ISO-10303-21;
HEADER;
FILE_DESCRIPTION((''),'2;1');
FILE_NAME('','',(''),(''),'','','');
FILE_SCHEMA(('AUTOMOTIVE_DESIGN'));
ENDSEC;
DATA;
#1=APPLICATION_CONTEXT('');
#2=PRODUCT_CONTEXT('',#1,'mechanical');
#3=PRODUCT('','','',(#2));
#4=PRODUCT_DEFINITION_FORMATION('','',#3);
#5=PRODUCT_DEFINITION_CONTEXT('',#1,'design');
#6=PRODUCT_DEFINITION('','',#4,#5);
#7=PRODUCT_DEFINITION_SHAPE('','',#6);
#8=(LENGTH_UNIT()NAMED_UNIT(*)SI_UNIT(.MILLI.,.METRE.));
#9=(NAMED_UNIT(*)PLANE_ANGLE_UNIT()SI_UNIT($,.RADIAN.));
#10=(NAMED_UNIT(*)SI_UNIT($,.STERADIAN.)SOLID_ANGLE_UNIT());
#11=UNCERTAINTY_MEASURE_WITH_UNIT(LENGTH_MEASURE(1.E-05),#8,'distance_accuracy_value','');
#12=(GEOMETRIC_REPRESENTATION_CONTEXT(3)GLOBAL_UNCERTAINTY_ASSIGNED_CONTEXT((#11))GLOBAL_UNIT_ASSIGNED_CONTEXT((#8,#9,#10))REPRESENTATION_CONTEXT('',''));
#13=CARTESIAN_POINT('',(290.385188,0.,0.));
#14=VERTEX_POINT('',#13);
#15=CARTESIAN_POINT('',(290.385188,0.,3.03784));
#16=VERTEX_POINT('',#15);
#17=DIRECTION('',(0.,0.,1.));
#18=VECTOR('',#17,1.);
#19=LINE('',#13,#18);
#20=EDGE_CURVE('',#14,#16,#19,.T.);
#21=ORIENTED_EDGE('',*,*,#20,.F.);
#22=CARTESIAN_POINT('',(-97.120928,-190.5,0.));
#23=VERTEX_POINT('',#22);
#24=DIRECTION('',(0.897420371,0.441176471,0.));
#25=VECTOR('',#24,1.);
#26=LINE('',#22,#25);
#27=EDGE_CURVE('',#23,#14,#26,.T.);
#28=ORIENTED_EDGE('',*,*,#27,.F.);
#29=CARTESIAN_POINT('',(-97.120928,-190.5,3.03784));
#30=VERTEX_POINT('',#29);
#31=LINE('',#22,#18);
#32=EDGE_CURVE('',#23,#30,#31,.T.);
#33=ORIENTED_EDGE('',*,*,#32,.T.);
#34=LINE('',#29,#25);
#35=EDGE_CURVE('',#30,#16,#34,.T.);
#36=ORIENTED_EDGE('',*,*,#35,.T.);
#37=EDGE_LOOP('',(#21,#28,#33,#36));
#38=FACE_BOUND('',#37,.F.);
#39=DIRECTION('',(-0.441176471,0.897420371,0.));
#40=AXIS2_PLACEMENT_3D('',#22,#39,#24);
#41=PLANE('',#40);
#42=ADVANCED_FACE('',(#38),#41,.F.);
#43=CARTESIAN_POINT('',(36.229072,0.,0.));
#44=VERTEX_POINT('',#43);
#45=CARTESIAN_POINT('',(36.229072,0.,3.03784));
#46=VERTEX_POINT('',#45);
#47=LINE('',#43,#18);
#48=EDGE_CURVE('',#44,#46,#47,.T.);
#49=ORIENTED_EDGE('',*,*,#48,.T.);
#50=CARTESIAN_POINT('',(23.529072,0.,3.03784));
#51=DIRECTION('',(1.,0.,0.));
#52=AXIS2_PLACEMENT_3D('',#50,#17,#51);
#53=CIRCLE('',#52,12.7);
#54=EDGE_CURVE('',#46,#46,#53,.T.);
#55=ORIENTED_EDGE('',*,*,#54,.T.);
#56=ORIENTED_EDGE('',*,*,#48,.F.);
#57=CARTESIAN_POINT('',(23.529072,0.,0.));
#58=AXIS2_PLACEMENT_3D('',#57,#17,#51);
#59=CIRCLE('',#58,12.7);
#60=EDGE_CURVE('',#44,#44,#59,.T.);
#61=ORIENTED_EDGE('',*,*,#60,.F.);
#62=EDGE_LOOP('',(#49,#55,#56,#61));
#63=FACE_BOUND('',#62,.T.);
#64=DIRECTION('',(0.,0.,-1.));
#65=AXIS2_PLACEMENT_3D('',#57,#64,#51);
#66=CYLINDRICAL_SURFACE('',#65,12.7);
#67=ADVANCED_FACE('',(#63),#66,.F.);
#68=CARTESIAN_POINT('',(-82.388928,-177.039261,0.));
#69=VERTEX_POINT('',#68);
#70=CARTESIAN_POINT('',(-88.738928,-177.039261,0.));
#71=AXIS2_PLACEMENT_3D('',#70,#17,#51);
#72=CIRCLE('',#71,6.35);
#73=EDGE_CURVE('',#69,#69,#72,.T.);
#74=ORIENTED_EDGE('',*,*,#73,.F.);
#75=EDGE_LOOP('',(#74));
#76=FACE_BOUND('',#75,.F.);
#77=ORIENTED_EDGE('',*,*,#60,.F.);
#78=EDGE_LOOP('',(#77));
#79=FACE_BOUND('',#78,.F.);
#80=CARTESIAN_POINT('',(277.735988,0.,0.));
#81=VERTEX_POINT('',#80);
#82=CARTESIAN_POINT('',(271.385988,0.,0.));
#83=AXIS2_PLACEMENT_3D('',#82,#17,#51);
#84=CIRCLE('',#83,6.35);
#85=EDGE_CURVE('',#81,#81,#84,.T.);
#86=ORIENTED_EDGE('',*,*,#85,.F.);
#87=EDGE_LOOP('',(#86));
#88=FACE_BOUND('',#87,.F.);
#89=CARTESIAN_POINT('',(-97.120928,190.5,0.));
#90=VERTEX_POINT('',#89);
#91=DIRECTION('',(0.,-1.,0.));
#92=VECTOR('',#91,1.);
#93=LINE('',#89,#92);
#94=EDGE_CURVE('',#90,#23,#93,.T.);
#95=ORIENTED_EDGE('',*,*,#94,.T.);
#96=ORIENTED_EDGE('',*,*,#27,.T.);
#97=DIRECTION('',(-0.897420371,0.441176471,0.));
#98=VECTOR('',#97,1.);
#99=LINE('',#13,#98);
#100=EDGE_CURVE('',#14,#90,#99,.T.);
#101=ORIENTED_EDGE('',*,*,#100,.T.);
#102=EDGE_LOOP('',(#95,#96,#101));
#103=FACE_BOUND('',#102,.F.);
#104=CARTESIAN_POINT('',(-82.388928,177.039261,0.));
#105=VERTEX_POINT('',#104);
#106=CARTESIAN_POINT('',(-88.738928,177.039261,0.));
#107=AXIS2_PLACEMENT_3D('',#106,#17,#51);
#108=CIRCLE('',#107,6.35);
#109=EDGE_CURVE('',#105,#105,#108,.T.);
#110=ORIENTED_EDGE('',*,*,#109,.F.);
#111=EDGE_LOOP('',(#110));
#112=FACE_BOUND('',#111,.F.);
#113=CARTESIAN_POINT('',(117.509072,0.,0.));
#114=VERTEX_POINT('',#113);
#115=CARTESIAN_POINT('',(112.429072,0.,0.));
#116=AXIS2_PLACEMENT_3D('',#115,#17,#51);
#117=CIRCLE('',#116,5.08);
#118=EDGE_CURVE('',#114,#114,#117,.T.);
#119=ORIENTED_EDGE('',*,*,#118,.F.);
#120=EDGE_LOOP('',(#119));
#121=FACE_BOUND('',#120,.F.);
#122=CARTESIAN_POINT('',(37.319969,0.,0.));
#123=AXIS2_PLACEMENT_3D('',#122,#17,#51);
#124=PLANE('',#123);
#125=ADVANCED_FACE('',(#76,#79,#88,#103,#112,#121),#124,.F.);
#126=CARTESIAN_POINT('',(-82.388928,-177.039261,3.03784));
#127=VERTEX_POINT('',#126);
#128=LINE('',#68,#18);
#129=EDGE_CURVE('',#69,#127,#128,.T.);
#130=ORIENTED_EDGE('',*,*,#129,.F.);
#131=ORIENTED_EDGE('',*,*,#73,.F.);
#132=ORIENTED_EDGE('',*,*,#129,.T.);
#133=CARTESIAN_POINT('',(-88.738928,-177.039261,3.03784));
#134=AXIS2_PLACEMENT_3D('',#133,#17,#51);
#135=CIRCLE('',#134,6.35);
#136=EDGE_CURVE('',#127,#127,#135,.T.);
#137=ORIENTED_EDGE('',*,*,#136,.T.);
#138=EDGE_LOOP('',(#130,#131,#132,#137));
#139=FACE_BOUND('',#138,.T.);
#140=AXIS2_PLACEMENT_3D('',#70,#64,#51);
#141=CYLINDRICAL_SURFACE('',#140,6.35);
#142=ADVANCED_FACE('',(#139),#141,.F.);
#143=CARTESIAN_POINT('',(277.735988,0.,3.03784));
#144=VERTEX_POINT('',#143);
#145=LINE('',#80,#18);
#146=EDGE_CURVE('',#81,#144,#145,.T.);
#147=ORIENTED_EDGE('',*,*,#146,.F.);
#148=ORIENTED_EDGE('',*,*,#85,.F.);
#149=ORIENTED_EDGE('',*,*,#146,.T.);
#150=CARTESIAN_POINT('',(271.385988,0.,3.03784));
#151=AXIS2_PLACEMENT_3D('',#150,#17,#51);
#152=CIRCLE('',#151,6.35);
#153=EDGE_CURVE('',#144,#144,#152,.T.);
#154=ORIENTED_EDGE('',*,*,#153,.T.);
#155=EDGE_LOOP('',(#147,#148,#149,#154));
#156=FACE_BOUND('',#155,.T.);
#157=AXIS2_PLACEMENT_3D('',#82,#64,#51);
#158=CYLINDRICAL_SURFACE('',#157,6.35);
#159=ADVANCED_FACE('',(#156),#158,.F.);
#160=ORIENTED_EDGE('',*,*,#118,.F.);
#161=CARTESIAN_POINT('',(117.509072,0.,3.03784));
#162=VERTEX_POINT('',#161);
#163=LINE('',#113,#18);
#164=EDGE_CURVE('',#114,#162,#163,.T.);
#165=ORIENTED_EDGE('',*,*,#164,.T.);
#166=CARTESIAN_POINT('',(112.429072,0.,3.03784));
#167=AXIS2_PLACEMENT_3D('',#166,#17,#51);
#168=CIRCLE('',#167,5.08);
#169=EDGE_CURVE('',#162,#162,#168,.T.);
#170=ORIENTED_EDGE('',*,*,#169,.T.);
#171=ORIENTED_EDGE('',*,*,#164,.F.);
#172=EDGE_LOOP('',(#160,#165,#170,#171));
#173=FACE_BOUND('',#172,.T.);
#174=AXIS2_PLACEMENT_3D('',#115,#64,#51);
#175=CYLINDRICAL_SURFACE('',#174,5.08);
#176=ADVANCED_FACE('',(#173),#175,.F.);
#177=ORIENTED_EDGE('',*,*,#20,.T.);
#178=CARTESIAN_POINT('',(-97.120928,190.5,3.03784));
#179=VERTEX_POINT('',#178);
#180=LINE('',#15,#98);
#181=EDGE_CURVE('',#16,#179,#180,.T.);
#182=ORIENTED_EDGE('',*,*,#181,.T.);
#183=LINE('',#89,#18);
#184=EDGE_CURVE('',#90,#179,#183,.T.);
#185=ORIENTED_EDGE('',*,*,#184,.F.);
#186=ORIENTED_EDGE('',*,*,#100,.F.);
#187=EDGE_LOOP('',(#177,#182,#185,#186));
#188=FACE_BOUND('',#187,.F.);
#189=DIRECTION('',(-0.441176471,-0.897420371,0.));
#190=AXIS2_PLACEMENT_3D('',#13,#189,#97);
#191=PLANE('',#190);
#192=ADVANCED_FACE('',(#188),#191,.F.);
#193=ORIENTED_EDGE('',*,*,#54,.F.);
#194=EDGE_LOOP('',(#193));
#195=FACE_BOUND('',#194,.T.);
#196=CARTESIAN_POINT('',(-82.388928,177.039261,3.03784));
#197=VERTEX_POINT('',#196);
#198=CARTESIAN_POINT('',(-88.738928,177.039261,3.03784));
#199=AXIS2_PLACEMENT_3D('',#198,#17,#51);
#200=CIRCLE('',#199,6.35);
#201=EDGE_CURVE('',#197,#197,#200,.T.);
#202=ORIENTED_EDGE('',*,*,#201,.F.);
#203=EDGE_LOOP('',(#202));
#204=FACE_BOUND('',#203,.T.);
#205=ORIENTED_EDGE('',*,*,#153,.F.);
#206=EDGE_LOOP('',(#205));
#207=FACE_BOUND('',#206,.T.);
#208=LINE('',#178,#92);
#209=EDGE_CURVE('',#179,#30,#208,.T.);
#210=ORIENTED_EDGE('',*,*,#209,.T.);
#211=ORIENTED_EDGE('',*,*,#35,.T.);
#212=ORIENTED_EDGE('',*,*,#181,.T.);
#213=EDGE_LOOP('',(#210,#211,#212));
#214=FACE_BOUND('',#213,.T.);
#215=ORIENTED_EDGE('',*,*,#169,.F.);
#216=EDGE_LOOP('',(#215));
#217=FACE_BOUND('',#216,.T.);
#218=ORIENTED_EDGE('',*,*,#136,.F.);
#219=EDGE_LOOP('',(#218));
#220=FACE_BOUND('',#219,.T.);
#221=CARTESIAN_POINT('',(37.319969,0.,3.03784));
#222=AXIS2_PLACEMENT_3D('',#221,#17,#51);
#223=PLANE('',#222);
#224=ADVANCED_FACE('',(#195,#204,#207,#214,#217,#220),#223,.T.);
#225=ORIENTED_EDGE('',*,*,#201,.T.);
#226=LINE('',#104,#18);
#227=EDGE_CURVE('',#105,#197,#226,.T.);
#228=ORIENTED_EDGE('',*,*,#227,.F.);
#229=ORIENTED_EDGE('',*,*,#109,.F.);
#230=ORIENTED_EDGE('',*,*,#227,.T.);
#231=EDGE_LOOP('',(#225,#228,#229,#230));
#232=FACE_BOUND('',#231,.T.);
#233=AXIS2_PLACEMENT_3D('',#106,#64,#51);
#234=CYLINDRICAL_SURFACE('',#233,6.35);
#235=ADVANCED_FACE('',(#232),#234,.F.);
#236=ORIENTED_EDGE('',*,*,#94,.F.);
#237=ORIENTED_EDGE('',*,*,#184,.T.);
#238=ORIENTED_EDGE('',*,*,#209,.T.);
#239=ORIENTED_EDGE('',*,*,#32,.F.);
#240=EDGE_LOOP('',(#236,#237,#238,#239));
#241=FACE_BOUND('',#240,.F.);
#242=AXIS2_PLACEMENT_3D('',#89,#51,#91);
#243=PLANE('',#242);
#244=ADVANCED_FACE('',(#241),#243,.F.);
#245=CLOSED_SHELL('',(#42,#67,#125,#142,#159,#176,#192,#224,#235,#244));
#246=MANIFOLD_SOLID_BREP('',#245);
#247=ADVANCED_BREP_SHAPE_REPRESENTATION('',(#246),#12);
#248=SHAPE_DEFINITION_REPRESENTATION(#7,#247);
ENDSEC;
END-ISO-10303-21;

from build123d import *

# Parameters (mm, degrees)
F0_R     = 6.35
F0_R_2   = 12.7
F0_R_3   = 5.08
F1_DEPTH = 3.03784


with BuildPart() as f1:
    # F0 (on Top) → F1 (new body)
    with BuildSketch(Plane.XY):
        Polygon((-97.120928, -190.5), (290.385188, 0), (-97.120928, 190.5), align=None)
        with Locations((-88.738928, -177.039261)):
            Circle(F0_R, mode=Mode.SUBTRACT)
        with Locations((23.529072, 0)):
            Circle(F0_R_2, mode=Mode.SUBTRACT)
        with Locations((-88.738928, 177.039261)):
            Circle(F0_R, mode=Mode.SUBTRACT)
        with Locations((112.429072, 0)):
            Circle(F0_R_3, mode=Mode.SUBTRACT)
        with Locations((271.385988, 0)):
            Circle(F0_R, mode=Mode.SUBTRACT)
    extrude(amount=F1_DEPTH)


solid = f1.part
